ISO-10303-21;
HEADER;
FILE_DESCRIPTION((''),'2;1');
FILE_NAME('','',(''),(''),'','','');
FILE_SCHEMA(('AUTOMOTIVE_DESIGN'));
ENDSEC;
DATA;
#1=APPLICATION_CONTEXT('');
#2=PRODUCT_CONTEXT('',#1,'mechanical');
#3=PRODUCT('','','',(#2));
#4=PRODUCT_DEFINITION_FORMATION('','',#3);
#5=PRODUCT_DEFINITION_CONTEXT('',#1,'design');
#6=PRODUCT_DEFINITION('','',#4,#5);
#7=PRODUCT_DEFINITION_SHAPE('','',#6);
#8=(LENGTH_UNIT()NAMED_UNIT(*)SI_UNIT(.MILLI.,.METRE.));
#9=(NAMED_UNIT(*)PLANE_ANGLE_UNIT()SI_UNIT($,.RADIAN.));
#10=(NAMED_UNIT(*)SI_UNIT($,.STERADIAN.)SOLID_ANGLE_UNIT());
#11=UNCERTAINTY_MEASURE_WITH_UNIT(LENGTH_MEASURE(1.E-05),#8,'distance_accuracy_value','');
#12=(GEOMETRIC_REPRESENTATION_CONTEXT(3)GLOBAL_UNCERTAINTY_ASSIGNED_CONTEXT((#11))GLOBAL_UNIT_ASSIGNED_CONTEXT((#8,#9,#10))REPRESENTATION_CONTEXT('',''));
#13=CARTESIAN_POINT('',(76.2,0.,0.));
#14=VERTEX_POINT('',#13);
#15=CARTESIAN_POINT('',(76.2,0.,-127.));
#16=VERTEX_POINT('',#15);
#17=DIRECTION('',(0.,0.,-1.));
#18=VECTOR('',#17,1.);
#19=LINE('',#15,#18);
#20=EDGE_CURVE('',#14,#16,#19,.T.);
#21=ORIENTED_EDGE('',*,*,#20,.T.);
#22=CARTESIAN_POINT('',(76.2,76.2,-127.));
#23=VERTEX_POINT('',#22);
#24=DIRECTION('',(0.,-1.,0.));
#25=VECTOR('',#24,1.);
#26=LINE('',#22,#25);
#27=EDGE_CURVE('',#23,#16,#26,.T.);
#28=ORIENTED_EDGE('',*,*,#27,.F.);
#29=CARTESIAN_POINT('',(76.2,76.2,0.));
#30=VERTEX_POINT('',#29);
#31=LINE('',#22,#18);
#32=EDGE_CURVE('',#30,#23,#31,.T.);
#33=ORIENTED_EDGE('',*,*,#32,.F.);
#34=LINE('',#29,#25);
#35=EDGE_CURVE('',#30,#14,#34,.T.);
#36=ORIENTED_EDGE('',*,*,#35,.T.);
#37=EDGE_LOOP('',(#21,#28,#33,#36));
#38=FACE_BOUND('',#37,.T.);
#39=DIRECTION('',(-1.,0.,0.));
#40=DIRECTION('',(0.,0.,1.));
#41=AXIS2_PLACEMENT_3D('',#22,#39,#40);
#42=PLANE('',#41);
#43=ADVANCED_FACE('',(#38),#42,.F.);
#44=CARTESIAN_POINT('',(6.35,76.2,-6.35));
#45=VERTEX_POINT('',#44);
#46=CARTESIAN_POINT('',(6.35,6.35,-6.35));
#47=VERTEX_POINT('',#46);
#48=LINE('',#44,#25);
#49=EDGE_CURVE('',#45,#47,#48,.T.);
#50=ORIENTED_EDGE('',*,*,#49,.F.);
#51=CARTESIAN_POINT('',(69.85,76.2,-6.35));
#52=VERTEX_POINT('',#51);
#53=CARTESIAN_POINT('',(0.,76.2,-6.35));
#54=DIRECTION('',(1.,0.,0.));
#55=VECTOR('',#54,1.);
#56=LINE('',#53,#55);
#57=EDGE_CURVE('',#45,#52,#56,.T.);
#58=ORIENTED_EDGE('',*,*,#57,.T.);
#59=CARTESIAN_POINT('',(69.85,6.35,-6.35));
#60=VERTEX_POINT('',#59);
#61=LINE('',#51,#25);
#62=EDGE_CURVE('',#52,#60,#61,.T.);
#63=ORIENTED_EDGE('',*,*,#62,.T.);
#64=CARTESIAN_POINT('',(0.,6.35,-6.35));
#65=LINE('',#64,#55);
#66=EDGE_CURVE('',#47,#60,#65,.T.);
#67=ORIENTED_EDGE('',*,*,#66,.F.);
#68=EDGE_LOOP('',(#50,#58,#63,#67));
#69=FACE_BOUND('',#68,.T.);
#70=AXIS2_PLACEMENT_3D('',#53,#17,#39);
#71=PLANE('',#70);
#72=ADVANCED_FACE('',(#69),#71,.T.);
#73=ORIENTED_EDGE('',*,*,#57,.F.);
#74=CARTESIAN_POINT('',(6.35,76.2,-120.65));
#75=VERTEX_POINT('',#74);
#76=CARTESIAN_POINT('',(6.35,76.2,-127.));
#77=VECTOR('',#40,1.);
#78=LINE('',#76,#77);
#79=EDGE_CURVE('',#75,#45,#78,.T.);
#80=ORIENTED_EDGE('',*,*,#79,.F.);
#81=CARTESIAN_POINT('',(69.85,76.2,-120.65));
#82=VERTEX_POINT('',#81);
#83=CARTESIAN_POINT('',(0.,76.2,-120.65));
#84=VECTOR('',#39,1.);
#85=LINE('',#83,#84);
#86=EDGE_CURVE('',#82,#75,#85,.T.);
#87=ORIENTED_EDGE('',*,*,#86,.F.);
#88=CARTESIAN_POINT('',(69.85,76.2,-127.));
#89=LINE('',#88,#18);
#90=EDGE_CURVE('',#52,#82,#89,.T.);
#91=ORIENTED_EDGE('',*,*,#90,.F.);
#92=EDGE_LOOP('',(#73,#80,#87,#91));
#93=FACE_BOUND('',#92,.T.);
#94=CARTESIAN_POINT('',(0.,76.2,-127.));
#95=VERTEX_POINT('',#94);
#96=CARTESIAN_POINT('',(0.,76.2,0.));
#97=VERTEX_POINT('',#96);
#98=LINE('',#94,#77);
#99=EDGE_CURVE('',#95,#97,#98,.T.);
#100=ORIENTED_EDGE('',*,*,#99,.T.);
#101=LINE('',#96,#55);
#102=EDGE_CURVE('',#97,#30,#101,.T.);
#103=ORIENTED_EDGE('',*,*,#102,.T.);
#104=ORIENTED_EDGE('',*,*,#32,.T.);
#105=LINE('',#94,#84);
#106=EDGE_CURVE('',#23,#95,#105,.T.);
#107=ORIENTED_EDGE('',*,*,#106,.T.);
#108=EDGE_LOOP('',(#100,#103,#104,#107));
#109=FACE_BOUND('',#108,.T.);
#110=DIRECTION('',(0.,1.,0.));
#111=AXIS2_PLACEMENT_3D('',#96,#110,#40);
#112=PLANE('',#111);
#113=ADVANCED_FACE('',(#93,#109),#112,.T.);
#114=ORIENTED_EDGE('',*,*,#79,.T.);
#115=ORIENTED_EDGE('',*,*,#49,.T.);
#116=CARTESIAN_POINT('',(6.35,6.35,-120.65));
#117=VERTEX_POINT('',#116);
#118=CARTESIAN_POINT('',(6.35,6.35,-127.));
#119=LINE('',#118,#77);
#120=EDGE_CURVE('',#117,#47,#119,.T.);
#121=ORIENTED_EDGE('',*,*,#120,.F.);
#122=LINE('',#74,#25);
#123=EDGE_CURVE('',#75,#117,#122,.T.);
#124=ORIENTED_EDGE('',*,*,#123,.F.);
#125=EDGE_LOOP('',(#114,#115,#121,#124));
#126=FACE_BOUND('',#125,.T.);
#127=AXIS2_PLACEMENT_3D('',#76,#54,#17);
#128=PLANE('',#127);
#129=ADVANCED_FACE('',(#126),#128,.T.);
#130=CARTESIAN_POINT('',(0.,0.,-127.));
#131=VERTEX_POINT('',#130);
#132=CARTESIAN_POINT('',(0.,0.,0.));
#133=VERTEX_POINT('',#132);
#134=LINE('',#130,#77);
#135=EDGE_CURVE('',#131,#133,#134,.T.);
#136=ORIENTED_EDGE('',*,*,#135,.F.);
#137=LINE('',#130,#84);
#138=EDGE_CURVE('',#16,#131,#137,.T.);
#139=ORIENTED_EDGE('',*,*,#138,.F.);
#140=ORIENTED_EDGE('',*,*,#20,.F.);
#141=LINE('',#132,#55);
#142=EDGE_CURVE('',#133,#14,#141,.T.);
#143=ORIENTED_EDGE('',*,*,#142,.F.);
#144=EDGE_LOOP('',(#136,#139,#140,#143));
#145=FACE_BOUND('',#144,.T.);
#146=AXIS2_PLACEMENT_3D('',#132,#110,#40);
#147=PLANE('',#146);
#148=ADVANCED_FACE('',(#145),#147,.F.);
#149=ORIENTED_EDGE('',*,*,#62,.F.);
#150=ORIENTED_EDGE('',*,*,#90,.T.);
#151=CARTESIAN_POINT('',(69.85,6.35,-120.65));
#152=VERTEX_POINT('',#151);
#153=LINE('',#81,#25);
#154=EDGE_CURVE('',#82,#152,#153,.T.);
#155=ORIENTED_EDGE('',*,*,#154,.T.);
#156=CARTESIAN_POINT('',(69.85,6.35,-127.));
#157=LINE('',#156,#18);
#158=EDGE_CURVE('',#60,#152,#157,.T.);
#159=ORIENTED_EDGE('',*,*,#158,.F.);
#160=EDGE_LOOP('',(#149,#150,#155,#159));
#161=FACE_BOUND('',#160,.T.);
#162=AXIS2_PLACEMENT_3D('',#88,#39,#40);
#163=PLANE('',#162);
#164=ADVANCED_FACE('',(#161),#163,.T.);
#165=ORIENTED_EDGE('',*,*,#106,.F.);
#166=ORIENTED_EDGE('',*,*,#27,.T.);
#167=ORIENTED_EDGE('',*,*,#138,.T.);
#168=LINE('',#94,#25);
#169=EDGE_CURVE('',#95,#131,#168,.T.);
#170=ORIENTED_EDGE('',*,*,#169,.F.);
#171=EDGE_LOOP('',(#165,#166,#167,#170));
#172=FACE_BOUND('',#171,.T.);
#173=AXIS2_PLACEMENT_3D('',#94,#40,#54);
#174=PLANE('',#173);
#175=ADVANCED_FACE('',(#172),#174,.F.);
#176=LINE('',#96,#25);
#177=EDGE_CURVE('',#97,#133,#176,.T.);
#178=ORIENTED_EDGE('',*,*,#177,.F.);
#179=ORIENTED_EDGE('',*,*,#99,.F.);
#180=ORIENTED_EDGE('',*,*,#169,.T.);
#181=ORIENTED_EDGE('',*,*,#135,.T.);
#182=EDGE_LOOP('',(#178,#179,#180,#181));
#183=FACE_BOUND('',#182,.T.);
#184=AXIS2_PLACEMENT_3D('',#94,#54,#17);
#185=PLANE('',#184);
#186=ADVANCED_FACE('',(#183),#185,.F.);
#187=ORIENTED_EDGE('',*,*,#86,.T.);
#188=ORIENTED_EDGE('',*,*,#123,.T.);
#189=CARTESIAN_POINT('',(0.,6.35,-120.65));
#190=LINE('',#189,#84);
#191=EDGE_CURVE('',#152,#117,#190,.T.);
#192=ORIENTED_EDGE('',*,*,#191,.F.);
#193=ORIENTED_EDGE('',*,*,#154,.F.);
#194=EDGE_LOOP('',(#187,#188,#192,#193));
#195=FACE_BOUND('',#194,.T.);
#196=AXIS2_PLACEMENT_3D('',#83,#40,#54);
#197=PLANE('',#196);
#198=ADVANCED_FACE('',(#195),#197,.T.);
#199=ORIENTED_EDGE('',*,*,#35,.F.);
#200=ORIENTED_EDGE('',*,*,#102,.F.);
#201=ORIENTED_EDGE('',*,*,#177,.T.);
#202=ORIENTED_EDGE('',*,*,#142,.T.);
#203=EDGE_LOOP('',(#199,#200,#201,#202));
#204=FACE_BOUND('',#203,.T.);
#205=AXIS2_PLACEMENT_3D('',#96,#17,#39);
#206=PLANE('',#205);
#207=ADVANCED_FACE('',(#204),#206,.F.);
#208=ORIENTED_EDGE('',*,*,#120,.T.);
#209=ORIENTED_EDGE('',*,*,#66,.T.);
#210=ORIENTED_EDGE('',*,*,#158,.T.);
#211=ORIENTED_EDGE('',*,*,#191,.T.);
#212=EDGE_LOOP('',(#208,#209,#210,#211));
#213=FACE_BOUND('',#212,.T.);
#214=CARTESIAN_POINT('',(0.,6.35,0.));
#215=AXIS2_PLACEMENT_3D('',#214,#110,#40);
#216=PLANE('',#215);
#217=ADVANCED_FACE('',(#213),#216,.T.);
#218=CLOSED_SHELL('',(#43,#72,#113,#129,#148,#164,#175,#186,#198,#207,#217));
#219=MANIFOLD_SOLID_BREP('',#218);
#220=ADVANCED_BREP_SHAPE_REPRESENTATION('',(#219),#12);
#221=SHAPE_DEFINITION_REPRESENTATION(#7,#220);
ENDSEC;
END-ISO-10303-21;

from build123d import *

# Parameters (mm, degrees)
SKETCH1_W           = 76.2
SKETCH1_H           = 127
BOSS_EXTRUDE1_DEPTH = 76.2
SHELL1_T            = -6.35


with BuildPart() as part:
    # Sketch1 → Boss-Extrude1 (new body)
    with BuildSketch(Plane(origin=(0, 0, 0), x_dir=(1, 0, 0), z_dir=(0, 1, 0))):
        with Locations((38.1, 63.5)):
            Rectangle(SKETCH1_W, SKETCH1_H)
    extrude(amount=BOSS_EXTRUDE1_DEPTH)

    # Shell1
    shell1_openings = [part.faces().sort_by_distance(p)[0] for p in [
        (38.1, 76.2, -63.5),
    ]]
    offset(amount=SHELL1_T, openings=shell1_openings, kind=Kind.INTERSECTION)


solid = part.part
